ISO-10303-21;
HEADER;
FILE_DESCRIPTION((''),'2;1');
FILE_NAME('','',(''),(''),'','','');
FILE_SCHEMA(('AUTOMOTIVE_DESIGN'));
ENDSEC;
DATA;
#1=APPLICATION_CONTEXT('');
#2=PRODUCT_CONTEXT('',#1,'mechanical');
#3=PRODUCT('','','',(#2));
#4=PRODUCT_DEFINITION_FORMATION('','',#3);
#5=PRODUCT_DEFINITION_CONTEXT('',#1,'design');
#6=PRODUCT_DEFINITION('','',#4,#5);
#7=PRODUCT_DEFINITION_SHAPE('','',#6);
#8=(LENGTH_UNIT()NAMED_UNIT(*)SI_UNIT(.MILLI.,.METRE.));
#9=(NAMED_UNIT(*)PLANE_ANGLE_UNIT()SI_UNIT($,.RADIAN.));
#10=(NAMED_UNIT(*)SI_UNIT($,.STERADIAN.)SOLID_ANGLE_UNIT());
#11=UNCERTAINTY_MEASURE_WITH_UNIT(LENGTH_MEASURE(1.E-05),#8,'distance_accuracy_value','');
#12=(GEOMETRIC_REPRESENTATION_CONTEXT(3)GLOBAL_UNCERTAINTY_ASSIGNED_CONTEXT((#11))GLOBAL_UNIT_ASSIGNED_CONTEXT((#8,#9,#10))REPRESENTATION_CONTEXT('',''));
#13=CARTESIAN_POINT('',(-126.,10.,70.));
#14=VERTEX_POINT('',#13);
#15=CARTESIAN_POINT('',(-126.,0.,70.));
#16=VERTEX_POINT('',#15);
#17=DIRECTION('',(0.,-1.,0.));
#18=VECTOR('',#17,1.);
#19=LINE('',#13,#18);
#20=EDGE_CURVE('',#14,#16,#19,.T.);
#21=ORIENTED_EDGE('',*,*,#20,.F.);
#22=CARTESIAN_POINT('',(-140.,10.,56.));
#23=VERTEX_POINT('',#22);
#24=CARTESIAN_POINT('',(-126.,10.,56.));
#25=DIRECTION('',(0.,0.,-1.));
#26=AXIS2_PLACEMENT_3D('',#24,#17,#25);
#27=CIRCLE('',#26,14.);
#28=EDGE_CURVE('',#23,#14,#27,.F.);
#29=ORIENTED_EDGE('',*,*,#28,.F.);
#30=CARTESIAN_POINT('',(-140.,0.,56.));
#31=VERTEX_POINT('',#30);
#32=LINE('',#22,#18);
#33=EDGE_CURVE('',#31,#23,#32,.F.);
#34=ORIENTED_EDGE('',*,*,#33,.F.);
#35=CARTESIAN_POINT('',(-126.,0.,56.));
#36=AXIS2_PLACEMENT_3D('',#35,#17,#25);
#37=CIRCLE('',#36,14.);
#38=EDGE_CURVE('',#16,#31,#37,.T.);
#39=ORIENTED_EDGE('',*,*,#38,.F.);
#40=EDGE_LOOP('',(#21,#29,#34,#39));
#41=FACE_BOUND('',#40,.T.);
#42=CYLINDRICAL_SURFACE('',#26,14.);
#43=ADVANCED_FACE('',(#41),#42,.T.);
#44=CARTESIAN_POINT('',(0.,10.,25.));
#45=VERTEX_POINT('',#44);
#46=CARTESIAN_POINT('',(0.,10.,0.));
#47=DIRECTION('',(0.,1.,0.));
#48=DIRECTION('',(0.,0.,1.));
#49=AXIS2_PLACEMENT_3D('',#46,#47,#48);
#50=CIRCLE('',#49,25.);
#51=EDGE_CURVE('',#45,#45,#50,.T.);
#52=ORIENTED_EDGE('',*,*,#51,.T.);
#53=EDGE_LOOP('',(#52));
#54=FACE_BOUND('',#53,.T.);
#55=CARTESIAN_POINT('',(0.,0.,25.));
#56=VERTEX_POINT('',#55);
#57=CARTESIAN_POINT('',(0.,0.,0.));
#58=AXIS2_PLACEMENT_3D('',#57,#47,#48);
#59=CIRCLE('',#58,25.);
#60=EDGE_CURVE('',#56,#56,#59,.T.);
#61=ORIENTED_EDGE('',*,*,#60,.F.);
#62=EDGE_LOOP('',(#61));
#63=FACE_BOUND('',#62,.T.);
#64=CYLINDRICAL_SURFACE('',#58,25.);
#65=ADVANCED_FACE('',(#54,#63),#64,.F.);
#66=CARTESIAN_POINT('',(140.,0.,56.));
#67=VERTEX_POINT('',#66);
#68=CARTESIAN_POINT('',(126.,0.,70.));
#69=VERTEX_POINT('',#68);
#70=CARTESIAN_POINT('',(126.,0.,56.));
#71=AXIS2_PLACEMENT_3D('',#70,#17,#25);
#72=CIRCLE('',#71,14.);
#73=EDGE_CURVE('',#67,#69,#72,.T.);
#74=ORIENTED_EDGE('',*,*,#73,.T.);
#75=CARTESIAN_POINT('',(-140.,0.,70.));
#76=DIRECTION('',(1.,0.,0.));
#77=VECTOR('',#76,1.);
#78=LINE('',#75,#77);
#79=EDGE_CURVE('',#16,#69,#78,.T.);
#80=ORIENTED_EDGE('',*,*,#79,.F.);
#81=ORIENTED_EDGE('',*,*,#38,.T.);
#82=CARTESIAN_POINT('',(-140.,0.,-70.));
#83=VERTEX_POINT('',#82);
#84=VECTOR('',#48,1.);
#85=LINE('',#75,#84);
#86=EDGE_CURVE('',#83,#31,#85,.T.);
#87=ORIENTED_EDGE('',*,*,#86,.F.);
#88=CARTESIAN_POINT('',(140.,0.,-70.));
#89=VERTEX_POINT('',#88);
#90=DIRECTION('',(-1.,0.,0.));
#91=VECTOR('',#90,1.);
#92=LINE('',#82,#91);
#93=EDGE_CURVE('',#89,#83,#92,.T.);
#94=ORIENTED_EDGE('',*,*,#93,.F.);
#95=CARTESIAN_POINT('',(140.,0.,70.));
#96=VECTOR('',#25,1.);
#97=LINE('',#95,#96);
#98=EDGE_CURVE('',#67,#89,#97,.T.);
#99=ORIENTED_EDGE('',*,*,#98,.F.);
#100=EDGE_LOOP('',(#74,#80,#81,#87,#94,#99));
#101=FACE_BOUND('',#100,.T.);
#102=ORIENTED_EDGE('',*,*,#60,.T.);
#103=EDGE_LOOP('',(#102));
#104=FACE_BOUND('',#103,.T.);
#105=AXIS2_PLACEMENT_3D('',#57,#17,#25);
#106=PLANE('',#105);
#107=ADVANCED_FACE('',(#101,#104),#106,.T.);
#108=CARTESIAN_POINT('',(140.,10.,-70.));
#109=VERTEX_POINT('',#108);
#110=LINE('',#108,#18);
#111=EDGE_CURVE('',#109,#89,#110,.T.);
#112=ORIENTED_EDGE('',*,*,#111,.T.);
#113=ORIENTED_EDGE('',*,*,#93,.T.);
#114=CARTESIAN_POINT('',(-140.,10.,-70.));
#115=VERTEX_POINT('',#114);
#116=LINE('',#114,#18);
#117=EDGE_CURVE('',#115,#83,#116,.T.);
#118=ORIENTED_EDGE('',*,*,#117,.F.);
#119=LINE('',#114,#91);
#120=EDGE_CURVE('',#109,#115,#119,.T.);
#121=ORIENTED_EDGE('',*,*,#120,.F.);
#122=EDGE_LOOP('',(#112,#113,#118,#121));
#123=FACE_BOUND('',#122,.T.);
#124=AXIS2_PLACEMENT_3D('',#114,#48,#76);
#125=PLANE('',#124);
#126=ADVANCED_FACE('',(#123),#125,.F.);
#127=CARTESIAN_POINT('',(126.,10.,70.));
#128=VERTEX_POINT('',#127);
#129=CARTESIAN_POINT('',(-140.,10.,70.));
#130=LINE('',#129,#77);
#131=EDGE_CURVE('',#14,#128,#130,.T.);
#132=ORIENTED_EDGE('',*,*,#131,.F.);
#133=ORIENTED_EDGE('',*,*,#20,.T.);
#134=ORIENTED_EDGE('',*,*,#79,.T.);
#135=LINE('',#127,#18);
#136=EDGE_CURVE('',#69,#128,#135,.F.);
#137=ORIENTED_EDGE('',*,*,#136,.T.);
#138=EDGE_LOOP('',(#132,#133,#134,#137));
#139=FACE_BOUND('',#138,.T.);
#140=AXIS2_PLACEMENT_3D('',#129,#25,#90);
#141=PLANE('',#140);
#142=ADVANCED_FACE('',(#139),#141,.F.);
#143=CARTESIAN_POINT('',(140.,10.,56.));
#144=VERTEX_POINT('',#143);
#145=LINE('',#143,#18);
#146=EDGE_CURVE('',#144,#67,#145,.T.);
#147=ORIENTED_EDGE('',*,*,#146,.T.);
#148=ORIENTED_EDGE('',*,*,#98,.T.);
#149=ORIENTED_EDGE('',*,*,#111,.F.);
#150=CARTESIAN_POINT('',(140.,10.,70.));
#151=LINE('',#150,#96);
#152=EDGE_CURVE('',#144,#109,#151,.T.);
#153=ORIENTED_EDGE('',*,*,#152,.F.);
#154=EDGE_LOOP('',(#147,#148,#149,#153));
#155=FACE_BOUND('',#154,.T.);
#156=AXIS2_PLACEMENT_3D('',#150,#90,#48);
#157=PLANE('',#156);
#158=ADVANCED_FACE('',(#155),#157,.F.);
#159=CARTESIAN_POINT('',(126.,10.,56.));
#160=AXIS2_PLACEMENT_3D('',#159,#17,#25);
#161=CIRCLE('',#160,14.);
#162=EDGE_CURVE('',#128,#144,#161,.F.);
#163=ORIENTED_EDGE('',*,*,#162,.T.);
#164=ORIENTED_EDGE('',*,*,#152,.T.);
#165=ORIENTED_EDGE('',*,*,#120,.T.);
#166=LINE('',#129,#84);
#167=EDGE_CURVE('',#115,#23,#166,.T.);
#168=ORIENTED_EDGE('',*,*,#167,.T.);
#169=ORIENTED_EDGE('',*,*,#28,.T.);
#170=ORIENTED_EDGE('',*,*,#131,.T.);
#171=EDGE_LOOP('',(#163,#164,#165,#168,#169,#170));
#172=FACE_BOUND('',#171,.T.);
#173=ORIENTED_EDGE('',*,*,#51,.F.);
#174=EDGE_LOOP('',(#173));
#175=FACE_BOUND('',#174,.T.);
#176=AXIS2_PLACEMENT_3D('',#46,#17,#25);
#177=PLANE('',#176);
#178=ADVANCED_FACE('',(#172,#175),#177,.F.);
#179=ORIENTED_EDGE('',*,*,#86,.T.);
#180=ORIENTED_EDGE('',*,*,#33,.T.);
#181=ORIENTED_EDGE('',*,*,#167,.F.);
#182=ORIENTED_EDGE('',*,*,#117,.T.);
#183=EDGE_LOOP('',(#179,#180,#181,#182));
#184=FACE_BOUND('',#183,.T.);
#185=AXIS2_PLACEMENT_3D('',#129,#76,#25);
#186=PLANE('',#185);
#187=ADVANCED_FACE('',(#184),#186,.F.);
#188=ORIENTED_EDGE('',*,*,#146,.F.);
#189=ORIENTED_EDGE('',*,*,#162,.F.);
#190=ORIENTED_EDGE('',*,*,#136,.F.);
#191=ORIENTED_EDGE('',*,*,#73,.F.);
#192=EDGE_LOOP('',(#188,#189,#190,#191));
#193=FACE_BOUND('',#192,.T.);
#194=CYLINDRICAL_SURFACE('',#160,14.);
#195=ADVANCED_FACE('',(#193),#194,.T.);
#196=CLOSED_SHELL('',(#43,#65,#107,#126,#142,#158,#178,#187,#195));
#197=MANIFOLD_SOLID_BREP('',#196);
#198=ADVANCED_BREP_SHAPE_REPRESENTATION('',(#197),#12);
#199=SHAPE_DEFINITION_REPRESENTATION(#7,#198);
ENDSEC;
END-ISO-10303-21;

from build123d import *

# Parameters (mm, degrees)
SKETCH1_W           = 280
SKETCH1_H           = 140
BOSS_EXTRUDE1_DEPTH = 10
FILLET1_R           = 14
SKETCH2_R           = 25
CUT_EXTRUDE1_DEPTH  = 10


with BuildPart() as part:
    # Sketch1 → Boss-Extrude1 (new body)
    with BuildSketch(Plane(origin=(0, 0, 0), x_dir=(1, 0, 0), z_dir=(0, 1, 0))):
        Rectangle(SKETCH1_W, SKETCH1_H)
    extrude(amount=BOSS_EXTRUDE1_DEPTH)

    # Fillet1
    fillet1_edges = [part.edges().sort_by_distance(p)[0] for p in [
        (140, 5, 70),
        (-140, 5, 70),
    ]]
    fillet(fillet1_edges, radius=FILLET1_R)

    # Sketch2 → Cut-Extrude1 (cut)
    with BuildSketch(Plane(origin=(0, 10, 0), x_dir=(1, 0, 0), z_dir=(0, 1, 0))):
        with Locations(Location((0, 0, 0), (0, 0, 270))):
            Circle(SKETCH2_R)
    extrude(amount=-CUT_EXTRUDE1_DEPTH, mode=Mode.SUBTRACT)


solid = part.part
